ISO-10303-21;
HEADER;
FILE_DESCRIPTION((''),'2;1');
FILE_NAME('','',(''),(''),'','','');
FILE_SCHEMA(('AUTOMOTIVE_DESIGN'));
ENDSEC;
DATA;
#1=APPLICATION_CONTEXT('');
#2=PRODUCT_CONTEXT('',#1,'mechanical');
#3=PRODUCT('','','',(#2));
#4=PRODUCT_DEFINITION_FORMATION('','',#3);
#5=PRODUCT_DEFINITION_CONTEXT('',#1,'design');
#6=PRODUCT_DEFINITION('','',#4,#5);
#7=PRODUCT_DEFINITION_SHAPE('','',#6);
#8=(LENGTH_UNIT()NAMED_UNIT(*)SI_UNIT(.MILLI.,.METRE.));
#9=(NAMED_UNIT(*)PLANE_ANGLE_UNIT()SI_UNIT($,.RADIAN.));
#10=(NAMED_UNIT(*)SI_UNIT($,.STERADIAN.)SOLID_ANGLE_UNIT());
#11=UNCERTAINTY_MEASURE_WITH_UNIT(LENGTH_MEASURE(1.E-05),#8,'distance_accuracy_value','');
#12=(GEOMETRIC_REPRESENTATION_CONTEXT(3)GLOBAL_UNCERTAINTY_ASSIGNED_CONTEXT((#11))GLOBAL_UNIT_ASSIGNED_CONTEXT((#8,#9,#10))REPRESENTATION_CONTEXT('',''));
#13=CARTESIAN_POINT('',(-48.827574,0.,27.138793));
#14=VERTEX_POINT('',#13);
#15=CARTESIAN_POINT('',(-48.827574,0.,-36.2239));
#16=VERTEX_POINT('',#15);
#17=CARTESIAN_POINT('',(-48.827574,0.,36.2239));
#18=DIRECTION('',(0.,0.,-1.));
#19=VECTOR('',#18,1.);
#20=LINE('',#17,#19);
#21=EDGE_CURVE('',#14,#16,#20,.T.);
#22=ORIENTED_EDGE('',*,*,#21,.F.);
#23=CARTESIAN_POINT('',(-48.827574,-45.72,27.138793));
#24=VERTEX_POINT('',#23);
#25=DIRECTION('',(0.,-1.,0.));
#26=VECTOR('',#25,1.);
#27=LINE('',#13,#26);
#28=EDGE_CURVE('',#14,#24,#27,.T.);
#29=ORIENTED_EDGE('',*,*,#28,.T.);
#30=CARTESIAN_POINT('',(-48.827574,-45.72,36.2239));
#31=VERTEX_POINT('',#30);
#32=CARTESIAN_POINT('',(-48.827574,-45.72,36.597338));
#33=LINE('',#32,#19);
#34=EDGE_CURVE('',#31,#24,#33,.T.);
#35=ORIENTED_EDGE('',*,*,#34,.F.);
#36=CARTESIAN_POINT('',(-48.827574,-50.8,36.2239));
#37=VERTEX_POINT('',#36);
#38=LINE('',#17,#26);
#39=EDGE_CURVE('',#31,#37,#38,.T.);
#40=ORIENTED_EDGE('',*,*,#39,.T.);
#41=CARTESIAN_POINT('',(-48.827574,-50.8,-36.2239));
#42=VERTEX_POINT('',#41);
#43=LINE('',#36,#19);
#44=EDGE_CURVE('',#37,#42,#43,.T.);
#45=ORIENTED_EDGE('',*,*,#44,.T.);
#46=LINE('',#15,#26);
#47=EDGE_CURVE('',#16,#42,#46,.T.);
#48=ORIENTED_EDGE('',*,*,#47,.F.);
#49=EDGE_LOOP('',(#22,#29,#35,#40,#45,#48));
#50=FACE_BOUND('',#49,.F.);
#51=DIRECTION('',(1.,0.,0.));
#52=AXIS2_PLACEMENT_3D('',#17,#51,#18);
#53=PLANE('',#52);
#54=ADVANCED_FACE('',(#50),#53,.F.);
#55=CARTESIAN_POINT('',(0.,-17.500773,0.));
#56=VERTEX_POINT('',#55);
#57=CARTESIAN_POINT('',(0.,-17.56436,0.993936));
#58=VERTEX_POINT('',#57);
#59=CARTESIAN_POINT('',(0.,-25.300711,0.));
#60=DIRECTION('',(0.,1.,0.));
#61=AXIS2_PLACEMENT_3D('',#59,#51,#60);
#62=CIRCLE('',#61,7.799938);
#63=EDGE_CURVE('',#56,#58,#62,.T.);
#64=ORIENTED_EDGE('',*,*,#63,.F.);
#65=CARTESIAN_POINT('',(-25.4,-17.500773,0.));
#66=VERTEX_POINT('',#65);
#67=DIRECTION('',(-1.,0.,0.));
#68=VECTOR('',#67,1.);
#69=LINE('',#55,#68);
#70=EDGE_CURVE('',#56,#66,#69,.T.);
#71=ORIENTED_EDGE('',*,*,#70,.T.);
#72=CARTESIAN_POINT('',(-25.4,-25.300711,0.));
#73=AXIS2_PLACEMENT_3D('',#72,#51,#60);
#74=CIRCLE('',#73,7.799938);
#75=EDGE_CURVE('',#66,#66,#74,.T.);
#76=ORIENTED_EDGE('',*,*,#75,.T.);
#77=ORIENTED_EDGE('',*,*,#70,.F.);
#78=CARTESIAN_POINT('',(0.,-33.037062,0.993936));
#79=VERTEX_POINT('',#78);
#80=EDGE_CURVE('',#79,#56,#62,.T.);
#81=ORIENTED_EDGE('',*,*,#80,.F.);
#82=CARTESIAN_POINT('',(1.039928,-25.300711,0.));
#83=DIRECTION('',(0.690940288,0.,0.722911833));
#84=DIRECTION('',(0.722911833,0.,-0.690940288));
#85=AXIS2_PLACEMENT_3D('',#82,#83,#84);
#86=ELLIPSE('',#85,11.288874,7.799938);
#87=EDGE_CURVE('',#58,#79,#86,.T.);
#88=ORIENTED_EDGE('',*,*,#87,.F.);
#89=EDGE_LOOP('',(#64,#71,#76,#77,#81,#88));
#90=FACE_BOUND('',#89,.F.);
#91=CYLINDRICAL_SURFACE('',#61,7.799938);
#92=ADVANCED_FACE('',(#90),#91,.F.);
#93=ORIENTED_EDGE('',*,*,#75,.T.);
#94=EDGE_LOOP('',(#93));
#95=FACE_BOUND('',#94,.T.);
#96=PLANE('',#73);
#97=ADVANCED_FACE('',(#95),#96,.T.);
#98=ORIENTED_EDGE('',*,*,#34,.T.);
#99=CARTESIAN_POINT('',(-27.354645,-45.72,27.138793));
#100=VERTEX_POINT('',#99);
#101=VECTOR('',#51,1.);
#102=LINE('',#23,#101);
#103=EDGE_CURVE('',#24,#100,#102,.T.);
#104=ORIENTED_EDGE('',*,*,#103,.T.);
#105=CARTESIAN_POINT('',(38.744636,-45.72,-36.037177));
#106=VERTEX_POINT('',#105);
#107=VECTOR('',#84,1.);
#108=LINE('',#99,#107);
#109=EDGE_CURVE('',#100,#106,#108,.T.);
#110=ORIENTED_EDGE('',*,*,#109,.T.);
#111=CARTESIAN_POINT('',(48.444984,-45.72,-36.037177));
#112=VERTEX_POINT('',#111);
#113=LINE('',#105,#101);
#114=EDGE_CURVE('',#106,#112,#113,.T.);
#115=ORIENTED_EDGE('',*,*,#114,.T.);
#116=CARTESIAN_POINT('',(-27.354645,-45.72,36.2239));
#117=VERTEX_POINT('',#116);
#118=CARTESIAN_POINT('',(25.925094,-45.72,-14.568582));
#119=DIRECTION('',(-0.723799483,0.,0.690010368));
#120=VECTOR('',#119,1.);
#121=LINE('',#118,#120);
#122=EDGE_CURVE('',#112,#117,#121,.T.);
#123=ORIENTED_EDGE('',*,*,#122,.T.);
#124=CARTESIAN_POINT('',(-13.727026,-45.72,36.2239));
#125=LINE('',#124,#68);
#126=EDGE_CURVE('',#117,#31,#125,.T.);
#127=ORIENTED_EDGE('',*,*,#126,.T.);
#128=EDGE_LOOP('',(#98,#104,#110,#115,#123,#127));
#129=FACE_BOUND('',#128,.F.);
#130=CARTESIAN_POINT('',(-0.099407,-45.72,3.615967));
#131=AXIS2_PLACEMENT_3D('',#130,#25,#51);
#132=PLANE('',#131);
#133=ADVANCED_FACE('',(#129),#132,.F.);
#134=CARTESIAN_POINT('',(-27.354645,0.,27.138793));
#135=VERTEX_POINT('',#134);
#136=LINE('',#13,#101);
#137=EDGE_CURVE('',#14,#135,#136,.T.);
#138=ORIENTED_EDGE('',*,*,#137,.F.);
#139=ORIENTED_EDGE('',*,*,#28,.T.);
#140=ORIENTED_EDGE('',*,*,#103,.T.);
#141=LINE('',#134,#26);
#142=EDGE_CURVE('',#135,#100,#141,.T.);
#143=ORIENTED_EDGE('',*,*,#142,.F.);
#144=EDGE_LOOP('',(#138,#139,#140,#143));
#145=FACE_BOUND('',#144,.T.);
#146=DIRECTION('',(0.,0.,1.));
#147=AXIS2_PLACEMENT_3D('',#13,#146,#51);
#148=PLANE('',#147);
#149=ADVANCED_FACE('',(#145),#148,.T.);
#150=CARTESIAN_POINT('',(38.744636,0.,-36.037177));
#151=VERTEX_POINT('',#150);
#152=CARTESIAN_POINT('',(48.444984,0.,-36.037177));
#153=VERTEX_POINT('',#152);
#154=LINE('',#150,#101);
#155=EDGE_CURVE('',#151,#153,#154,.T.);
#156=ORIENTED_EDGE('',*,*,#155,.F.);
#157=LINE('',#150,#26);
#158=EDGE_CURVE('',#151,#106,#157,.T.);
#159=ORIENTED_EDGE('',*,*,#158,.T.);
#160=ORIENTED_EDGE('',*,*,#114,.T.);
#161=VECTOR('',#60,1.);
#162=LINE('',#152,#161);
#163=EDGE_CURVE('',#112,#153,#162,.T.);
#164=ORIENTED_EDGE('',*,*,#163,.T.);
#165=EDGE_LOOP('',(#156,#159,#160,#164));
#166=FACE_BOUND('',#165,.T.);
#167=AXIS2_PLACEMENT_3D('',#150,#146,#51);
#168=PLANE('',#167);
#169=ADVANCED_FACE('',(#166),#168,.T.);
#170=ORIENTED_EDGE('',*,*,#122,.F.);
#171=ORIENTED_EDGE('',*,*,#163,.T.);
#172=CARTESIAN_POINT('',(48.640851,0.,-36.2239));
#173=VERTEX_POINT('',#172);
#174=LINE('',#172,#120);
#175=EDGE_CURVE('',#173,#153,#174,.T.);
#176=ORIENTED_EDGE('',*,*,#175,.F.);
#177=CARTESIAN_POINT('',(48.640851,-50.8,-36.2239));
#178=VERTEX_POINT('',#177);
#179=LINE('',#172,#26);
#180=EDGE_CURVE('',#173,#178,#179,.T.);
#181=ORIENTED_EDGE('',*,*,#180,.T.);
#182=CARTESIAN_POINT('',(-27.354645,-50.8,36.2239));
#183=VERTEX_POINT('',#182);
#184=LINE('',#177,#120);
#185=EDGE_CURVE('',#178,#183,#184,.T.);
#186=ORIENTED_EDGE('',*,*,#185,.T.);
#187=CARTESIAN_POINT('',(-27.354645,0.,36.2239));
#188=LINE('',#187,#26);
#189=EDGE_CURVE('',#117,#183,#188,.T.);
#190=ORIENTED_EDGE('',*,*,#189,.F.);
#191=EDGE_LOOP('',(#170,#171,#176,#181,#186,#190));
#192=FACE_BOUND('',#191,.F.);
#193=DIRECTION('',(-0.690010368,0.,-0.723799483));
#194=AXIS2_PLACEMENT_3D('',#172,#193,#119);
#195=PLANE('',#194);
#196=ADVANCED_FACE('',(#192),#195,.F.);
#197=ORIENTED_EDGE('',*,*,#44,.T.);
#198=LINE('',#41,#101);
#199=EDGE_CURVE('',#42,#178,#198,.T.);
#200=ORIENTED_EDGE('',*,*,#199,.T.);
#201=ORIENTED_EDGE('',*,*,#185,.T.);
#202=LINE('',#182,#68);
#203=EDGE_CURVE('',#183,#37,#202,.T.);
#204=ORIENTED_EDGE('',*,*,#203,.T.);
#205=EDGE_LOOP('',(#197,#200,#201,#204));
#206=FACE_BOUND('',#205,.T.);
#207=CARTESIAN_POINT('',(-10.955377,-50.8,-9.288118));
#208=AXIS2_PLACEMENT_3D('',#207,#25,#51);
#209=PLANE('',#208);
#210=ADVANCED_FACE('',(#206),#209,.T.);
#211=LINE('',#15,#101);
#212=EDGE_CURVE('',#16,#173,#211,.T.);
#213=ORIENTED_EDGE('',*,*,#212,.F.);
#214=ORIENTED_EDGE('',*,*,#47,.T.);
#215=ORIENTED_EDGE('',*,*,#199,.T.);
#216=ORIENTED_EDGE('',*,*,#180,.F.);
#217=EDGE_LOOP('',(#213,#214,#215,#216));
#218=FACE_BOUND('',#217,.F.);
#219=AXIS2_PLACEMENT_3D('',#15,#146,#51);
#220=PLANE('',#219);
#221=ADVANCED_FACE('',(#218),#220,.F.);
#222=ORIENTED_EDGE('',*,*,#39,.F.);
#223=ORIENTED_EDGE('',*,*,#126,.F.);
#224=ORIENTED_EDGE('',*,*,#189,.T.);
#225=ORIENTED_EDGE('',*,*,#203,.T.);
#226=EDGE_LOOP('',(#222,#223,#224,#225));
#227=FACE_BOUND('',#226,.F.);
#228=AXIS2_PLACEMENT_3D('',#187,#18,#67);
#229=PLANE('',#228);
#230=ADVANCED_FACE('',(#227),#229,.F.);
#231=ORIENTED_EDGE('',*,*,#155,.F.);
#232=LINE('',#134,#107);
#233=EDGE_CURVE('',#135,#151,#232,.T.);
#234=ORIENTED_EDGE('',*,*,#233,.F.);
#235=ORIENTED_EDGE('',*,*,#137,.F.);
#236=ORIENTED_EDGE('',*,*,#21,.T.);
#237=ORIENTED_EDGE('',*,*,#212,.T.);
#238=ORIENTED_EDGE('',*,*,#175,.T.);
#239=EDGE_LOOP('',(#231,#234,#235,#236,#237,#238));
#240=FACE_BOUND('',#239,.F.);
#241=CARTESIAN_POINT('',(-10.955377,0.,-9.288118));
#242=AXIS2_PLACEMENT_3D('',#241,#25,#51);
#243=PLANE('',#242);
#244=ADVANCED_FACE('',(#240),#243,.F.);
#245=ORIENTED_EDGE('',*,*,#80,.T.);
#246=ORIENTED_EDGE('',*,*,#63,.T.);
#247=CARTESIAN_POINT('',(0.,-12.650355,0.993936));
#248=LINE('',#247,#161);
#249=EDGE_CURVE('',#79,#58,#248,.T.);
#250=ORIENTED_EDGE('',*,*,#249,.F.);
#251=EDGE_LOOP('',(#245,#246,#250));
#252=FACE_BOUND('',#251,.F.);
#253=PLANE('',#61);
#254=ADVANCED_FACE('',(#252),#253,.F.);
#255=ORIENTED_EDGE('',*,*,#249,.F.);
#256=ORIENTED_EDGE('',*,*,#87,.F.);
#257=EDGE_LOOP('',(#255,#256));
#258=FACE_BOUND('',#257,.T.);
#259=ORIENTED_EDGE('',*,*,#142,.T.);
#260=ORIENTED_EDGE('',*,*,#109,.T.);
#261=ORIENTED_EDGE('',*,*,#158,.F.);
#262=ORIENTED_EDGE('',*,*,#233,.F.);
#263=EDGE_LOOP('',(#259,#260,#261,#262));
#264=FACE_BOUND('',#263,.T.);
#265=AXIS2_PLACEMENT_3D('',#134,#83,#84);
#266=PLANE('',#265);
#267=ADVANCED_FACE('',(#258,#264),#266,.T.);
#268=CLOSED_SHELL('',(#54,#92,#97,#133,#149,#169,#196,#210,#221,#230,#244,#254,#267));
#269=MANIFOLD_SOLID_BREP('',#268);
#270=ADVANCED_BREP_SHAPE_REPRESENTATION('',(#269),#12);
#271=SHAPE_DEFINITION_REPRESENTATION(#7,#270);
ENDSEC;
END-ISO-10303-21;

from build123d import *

# Parameters (mm, degrees)
F1_DEPTH = 50.8
F3_DEPTH = 45.72
F4_R     = 7.799938
F5_DEPTH = 25.4


with BuildPart() as f1:
    # F0 (on Front) → F1 (new body)
    with BuildSketch(Plane.XZ):
        Polygon((-27.354645, 36.2239), (-48.827574, 36.2239), (-48.827574, -36.2239), (48.640851, -36.2239), align=None)
    extrude(amount=F1_DEPTH)

    # F2 (on Front) → F3 (cut)
    with BuildSketch(Plane.XZ):
        Polygon((-27.354645, 36.597338), (-48.827574, 36.597338), (-48.827574, 27.138793), (-27.354645, 27.138793), (38.744636, -36.037177), (48.640851, -36.037177), align=None)
    extrude(amount=F3_DEPTH, mode=Mode.SUBTRACT)

    # F4 (on Right) → F5 (cut)
    with BuildSketch(Plane.YZ):
        with Locations((-25.300711, 0)):
            Circle(F4_R)
    extrude(amount=-F5_DEPTH, mode=Mode.SUBTRACT)


solid = f1.part
